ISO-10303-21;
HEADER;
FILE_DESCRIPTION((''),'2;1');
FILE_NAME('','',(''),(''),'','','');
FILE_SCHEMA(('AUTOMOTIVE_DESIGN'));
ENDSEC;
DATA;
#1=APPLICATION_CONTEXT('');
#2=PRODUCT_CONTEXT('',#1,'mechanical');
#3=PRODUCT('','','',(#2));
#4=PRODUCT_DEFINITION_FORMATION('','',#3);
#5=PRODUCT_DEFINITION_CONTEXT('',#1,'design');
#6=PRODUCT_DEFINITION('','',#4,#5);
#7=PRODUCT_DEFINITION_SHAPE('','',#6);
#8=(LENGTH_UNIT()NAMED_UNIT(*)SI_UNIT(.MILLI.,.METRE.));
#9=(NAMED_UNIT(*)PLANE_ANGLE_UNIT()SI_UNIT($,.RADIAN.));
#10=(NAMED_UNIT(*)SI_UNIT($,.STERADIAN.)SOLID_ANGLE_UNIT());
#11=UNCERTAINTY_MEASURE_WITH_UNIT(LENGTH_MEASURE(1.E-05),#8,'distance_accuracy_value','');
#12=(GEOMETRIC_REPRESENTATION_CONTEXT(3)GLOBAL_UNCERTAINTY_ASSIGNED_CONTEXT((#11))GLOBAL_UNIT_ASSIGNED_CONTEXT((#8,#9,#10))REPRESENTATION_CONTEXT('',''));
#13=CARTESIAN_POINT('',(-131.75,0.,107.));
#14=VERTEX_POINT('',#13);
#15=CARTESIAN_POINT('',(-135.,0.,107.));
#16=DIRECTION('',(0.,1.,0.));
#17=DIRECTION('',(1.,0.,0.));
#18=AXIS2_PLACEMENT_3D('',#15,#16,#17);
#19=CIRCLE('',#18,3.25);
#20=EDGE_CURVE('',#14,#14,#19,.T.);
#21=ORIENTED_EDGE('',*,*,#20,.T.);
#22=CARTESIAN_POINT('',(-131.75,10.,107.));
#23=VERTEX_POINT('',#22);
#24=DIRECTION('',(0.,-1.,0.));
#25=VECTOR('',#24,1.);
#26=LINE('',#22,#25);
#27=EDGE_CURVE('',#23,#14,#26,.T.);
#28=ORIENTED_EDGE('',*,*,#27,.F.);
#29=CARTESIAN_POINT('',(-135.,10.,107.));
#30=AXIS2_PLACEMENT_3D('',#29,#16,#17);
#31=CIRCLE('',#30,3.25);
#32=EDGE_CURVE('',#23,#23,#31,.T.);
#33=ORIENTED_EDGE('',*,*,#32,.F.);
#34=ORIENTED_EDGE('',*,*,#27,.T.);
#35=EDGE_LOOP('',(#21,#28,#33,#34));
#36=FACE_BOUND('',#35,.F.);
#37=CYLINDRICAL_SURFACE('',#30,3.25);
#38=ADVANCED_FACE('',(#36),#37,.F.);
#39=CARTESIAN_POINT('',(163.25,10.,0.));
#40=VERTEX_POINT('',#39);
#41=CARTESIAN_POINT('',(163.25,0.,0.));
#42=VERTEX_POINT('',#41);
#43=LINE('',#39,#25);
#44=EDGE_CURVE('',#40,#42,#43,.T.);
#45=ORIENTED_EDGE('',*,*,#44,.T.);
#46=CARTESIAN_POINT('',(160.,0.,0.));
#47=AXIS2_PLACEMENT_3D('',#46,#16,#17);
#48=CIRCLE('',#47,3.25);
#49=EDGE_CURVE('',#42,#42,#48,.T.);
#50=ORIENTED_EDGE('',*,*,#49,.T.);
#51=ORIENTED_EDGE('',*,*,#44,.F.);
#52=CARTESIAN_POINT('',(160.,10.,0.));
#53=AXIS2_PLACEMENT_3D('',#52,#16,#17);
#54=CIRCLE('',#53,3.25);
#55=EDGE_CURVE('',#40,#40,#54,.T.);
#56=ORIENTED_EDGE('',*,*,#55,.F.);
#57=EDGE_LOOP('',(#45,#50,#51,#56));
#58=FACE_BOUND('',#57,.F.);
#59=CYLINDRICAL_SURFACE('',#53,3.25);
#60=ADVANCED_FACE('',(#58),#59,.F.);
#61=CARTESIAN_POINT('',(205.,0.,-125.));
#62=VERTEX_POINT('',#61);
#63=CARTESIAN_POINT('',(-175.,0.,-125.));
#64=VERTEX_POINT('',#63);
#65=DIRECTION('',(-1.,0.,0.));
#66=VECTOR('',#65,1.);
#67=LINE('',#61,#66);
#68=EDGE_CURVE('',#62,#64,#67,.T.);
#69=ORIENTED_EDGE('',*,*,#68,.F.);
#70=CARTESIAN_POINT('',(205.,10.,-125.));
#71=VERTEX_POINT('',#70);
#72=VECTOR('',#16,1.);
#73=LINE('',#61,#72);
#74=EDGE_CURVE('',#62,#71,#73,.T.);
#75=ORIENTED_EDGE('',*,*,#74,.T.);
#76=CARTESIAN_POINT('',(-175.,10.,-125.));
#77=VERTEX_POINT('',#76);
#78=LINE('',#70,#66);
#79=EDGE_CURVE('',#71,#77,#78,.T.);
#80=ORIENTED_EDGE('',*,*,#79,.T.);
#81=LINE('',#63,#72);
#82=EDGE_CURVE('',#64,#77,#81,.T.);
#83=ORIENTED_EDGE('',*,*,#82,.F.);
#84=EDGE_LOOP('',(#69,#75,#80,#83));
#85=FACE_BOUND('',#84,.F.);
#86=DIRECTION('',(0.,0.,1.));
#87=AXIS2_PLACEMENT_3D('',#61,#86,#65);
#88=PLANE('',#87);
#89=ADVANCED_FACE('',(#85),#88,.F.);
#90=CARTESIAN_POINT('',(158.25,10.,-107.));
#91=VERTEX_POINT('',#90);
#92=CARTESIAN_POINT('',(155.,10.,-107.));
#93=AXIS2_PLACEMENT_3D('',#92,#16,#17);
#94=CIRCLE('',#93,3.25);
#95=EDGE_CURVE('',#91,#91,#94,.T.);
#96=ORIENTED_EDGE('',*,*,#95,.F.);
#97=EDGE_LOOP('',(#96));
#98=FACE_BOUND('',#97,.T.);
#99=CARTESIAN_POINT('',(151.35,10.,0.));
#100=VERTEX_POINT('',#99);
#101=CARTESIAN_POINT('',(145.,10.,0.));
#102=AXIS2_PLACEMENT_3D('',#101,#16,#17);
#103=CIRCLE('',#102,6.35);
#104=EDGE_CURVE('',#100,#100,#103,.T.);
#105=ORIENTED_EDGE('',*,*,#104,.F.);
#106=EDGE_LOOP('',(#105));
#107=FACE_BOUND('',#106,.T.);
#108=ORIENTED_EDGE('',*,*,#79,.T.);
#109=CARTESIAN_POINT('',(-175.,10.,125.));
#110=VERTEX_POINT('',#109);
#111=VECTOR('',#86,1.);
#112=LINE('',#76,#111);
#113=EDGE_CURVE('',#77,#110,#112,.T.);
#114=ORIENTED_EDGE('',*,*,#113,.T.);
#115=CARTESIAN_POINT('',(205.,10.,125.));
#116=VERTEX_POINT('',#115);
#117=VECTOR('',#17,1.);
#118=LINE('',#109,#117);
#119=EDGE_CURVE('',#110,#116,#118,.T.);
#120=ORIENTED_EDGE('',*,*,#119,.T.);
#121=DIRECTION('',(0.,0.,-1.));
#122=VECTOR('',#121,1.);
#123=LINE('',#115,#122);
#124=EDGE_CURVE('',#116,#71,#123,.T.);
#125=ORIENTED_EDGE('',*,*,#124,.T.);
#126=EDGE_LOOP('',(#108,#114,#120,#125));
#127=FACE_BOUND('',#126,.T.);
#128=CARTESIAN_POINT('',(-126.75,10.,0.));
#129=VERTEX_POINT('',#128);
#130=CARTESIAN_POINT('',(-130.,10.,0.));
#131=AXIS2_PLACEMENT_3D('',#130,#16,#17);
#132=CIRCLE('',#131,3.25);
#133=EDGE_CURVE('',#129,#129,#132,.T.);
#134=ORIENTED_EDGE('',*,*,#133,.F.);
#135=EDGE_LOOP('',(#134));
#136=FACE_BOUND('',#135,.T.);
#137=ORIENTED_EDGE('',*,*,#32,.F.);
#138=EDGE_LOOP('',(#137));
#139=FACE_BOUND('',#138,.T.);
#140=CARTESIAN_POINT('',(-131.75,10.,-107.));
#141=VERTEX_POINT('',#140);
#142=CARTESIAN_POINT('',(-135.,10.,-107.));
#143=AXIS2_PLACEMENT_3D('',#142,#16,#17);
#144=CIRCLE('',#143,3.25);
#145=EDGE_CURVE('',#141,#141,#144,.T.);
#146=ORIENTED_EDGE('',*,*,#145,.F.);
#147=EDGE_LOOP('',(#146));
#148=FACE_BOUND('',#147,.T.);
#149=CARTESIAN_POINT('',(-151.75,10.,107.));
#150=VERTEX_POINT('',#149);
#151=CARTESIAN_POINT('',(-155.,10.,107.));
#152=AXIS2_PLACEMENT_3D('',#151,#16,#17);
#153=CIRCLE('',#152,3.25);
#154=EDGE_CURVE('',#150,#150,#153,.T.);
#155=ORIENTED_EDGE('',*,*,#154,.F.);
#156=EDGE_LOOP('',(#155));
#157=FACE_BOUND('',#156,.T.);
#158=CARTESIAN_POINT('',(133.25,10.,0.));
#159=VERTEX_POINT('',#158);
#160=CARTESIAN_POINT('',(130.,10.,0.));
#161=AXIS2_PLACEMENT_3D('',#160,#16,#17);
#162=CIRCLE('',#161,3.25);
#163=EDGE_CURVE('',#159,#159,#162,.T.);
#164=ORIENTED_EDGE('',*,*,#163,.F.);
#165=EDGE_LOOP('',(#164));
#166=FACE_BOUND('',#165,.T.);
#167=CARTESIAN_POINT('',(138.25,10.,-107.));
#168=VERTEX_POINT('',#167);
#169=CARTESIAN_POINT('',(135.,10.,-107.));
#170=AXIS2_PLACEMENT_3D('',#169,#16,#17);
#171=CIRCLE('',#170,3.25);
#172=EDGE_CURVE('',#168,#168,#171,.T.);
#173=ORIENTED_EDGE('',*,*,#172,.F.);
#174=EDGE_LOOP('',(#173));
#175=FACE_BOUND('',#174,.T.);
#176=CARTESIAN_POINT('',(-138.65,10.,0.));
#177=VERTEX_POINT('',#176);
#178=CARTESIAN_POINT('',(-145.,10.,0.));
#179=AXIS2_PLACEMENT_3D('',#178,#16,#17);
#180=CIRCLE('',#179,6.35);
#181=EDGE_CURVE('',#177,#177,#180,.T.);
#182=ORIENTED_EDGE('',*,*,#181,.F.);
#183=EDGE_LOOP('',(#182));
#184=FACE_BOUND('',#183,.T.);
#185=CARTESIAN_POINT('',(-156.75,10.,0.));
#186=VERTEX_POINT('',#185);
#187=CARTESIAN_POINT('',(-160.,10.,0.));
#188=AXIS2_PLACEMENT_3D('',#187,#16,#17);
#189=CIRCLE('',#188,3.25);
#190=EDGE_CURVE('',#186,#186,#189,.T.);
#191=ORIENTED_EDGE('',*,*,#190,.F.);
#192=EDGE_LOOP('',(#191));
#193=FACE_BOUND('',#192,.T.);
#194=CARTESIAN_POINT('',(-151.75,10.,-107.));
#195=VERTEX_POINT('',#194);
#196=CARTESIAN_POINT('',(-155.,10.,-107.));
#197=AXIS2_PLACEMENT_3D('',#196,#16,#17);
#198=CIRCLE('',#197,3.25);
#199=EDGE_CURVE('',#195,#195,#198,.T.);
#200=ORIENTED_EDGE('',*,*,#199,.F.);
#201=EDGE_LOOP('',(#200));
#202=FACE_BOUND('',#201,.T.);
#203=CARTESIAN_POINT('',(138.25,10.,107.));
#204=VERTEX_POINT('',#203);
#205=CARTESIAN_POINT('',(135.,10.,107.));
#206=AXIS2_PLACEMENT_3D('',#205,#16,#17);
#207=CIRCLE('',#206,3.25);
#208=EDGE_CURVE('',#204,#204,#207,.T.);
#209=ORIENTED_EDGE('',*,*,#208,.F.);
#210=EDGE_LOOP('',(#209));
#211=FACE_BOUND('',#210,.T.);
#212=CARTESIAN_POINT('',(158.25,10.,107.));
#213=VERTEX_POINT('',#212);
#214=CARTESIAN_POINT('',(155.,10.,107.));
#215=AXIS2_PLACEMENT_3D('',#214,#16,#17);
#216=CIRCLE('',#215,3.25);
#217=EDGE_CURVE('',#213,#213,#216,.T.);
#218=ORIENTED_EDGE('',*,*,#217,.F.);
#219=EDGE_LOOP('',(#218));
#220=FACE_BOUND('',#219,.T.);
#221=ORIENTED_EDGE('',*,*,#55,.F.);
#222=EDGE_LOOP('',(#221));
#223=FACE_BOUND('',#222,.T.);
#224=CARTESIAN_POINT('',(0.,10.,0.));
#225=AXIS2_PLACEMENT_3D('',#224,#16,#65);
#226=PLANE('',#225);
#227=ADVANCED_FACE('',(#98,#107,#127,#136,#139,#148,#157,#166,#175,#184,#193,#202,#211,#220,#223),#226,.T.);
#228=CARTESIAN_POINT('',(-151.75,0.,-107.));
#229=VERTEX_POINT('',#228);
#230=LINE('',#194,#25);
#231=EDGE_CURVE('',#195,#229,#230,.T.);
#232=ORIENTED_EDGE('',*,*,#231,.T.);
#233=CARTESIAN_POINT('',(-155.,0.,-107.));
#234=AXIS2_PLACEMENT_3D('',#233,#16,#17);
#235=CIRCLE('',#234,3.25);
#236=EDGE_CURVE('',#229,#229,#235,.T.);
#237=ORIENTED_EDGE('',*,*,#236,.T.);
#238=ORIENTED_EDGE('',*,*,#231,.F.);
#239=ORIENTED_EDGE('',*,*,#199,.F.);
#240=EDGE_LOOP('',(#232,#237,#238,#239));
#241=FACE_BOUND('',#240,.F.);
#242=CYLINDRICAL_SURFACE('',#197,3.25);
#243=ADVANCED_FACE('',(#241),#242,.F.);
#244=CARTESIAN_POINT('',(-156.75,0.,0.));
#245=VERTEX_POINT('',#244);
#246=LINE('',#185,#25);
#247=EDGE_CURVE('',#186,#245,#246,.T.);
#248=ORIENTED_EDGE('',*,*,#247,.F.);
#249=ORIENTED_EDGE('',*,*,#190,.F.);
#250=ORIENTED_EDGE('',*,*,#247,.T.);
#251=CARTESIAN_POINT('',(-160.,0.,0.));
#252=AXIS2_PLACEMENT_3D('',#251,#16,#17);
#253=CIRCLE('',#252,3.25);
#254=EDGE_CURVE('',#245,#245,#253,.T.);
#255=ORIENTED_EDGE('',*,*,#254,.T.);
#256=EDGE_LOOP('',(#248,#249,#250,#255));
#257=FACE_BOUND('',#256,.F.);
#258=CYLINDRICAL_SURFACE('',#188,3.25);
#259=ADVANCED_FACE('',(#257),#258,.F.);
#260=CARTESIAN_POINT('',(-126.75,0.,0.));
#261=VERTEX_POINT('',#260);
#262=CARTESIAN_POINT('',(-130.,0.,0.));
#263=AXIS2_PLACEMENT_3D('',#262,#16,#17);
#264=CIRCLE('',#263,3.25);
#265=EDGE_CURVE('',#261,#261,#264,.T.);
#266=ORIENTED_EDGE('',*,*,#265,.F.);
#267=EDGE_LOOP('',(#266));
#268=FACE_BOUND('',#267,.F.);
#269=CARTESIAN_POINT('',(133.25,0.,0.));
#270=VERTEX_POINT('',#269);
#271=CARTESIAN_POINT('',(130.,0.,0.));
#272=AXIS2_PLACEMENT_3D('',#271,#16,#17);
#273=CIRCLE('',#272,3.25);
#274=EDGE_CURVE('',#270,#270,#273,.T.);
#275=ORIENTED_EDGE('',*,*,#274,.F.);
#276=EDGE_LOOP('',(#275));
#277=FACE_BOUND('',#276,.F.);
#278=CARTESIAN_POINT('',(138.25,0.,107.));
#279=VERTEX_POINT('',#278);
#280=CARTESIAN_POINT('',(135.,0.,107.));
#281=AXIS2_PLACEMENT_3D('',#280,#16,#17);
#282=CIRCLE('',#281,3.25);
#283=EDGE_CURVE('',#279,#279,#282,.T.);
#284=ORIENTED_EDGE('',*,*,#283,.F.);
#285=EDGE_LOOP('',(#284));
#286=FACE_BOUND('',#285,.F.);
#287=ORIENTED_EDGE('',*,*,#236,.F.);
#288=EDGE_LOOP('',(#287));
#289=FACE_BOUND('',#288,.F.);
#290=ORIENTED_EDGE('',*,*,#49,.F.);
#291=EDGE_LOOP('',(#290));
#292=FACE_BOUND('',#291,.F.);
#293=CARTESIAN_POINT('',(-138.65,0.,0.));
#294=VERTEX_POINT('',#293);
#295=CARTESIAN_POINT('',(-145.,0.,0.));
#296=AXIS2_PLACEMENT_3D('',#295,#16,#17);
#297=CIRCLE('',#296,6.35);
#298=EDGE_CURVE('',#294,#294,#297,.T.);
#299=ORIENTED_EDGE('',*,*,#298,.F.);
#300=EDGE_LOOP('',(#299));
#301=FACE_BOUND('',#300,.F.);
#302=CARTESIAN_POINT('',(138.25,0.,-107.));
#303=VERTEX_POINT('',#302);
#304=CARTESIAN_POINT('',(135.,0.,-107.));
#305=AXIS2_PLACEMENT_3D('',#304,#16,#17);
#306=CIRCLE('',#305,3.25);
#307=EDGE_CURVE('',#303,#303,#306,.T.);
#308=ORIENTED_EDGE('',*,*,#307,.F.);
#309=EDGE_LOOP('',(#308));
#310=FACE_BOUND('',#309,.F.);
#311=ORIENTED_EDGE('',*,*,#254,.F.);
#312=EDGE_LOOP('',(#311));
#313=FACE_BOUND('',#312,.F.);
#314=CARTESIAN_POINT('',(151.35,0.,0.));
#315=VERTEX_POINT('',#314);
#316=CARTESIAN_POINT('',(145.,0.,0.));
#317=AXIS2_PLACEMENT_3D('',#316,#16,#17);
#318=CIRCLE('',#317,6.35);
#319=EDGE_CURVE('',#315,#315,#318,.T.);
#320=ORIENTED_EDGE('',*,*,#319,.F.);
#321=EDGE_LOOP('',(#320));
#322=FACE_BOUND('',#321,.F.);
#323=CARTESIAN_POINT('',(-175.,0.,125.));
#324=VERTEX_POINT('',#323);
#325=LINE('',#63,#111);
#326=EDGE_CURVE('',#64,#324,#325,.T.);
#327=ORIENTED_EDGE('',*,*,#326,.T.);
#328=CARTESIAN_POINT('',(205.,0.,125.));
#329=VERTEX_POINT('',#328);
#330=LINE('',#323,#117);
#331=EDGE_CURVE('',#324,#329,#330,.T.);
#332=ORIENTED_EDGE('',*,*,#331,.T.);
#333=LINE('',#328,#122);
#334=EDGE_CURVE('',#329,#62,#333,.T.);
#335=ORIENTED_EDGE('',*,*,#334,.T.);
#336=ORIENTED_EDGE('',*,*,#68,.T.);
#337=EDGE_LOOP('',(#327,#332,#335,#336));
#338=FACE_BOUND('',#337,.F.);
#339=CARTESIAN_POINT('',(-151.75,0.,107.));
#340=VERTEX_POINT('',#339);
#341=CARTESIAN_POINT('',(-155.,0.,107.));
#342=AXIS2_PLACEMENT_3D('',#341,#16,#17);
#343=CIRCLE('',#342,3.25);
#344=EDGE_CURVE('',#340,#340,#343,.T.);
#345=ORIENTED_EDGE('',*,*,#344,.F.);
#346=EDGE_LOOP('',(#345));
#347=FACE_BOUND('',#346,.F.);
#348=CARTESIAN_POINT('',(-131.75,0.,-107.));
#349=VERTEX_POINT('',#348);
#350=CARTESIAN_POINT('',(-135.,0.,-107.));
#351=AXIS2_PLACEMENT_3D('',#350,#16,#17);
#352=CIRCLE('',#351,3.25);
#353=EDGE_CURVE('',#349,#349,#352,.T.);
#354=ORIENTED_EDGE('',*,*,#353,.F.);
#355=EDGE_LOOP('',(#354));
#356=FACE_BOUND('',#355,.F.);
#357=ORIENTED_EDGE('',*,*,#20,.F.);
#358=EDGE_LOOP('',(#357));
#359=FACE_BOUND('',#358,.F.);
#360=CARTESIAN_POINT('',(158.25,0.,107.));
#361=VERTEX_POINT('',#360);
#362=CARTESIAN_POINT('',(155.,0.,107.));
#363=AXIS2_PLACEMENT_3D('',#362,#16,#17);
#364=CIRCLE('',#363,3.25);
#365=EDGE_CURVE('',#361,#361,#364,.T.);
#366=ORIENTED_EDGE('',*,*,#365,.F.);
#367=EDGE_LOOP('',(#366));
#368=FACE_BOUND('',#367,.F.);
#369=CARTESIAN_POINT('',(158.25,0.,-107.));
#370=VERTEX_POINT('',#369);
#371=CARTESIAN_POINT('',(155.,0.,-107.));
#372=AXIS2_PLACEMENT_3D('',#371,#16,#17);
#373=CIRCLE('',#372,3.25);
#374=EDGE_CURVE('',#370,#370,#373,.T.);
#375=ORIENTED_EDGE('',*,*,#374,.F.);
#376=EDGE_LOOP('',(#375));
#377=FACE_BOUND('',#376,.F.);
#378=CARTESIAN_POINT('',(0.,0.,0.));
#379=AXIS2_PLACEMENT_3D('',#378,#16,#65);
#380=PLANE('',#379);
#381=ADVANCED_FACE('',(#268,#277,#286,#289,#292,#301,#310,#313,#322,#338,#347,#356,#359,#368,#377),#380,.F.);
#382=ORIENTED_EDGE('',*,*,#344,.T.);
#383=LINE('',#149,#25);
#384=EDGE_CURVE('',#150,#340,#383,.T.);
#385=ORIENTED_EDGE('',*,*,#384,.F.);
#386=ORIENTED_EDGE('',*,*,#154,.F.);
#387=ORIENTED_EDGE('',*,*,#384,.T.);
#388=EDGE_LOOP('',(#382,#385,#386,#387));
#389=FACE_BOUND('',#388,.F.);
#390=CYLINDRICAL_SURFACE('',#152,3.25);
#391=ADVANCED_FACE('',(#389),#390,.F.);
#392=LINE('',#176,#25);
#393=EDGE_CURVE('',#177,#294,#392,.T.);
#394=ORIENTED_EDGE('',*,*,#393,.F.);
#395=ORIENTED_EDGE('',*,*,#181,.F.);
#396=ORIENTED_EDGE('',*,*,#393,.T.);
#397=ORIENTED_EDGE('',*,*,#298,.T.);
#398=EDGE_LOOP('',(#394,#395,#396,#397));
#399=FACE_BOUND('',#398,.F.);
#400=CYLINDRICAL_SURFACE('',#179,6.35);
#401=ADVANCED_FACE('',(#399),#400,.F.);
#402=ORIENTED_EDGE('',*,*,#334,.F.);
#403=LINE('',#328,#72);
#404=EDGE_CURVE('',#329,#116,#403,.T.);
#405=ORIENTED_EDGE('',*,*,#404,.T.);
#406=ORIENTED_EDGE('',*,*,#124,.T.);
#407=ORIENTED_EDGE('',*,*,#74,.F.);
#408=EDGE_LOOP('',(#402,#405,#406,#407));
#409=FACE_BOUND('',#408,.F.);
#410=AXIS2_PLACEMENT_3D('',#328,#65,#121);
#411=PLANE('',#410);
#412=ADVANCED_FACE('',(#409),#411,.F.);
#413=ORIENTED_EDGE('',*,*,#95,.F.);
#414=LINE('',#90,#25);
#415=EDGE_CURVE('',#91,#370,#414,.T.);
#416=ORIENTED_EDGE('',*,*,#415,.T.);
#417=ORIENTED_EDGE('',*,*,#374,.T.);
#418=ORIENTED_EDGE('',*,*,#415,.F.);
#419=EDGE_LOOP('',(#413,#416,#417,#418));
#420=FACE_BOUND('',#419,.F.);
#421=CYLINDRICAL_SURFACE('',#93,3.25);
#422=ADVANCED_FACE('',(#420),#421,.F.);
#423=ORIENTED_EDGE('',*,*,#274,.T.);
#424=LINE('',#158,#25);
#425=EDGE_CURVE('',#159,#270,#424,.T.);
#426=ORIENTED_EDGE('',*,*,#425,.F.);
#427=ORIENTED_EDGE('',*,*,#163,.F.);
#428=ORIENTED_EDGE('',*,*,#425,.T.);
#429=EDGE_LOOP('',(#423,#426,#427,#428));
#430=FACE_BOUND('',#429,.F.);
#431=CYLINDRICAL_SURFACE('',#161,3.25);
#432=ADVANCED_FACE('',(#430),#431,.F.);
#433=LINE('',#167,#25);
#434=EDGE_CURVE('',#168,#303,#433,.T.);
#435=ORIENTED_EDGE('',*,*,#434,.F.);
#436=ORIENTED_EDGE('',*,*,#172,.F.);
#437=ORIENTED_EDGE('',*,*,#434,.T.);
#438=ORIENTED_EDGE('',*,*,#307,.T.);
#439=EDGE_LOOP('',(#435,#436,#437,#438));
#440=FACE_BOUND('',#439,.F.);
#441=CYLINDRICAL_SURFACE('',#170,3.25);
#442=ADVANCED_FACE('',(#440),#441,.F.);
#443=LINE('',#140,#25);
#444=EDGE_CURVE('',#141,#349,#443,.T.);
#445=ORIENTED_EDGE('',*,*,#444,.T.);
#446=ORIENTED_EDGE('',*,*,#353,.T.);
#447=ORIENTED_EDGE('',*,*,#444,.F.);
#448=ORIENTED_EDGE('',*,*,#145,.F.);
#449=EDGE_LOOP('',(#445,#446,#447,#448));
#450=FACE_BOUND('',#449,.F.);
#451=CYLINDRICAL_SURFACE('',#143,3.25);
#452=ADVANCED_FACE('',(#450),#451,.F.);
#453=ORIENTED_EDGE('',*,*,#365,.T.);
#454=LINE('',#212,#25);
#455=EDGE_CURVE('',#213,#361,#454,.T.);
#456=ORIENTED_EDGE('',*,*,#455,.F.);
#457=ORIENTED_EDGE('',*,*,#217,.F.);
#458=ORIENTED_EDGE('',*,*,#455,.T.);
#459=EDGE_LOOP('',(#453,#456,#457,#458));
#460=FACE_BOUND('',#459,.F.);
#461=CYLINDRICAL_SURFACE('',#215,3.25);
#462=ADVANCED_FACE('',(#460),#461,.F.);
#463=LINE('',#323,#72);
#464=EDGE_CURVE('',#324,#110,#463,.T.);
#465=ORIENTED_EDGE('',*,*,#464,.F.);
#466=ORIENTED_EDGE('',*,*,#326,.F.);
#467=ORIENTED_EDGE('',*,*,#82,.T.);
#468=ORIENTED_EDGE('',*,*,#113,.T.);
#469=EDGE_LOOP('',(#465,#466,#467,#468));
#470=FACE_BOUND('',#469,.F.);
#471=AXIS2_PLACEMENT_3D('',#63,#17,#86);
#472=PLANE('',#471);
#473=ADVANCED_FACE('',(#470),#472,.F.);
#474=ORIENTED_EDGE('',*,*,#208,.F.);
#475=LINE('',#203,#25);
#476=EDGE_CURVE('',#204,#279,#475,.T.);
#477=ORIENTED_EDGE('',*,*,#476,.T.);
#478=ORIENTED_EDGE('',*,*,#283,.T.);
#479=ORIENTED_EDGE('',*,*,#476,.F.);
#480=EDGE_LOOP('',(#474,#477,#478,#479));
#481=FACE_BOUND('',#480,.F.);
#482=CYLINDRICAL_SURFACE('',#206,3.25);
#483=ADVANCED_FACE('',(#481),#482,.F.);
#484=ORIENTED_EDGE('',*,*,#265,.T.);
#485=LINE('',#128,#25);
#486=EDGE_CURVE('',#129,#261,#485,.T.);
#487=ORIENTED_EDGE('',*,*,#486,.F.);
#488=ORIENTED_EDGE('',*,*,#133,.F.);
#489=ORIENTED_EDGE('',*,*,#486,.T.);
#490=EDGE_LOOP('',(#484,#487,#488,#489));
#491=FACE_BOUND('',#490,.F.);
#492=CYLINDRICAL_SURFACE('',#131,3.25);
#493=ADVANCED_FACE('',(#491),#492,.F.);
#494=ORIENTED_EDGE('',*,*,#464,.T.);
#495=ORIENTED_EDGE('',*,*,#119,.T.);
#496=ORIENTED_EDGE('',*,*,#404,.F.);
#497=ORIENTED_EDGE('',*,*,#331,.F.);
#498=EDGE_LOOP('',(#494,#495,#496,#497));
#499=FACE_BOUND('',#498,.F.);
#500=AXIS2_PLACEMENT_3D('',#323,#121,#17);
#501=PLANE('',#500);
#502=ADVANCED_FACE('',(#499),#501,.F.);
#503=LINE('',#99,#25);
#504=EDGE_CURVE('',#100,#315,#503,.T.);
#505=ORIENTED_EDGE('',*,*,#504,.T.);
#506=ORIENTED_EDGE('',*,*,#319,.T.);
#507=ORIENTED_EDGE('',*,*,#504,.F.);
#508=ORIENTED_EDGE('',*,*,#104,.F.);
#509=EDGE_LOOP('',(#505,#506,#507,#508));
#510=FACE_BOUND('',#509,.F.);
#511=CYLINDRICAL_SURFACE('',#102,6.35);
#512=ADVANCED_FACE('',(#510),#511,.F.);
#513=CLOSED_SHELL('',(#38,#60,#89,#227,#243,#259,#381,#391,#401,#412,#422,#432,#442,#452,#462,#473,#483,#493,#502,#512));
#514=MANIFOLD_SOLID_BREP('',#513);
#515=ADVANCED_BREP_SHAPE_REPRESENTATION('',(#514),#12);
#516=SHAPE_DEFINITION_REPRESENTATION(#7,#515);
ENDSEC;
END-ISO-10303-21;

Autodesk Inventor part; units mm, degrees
ref_plane "YZ Plane" through (0, 0, 0) normal (1, 0, 0) x (0, 1, 0)
ref_plane "XZ Plane" through (0, 0, 0) normal (0, 1, 0) x (-1, 0, 0)
ref_plane "XY Plane" through (0, 0, 0) normal (0, 0, 1) x (1, 0, 0)
sketch "Sketch1" plane through (0, 0, 0) normal (0, 1, 0) x (-1, 0, 0)
  point P0 (0, 0)
sketch "Sketch2" plane through (0, 0, 0) normal (0, 1, 0) x (-1, 0, 0)
  line L0 (175, 125) -> (-205, 125)
  line L1 (-205, 125) -> (-205, -125)
  line L2 (-205, -125) -> (175, -125)
  line L3 (175, -125) -> (175, 125)
  point P0 (0, 0)
  point P1 (0, 0)
  dimension "d0" = 380
  dimension "d1" = 250
  dimension "d2" = 125
  dimension "d3" = 175
extrude "Extrusion1" add sketch "Sketch2" along normal blind 10
sketch "Sketch3" plane through (0, 10, 0) normal (0, 1, 0) x (1, 0, 0)
  circle A0 centre (-145, 0) radius 6.35
  circle A1 centre (145, 0) radius 6.35
  line L0 (-175, 125) -> (-175, -125) projected
  circle A2 centre (-160, 0) radius 3.25
  circle A3 centre (-130, 0) radius 3.25
  circle A4 centre (160, 0) radius 3.25
  circle A5 centre (130, 0) radius 3.25
  line L1 (-145, -133.0752) -> (-145, 83.7202) construction
  circle A6 centre (-155, -107) radius 3.25
  line L2 (-145, -80.9248) -> (-145, -297.7202) construction
  circle A7 centre (-135, -107) radius 3.25
  circle A8 centre (-155, 107) radius 3.25
  circle A9 centre (-135, 107) radius 3.25
  circle A10 centre (155, 107) radius 3.25
  circle A11 centre (135, 107) radius 3.25
  circle A12 centre (155, -107) radius 3.25
  circle A13 centre (135, -107) radius 3.25
  line L3 (-175, -125) -> (205, -125) projected
  point P0 (0, 0)
  point P1 (-145, -107)
  point P2 (-145, -107)
  dimension "d6" = 12.7
  dimension "d9" = 360
  dimension "d11" = 30
  dimension "d12" = 6.5
  dimension "d15" = 360
  dimension "d19" = 360
  dimension "d21" = 15
  dimension "d22" = 6.5
  dimension "d25" = 360
  dimension "d29" = 360
  dimension "d33" = 360
  dimension "d35" = 250
  dimension "d36" = 18
  dimension "d37" = 18
  dimension "d41" = 10
extrude "Extrusion2" cut sketch "Sketch3" against normal blind 10
sketch "Sketch4" plane through (-175, 0, 125) normal (0, 0, 1) x (1, 0, 0)
  point P0 (175, 0)
sketch "Sketch5" plane through (0, 10, 0) normal (0, 1, 0) x (1, 0, 0)
  point P0 (0, 0)
properties part number "Base Plate"
